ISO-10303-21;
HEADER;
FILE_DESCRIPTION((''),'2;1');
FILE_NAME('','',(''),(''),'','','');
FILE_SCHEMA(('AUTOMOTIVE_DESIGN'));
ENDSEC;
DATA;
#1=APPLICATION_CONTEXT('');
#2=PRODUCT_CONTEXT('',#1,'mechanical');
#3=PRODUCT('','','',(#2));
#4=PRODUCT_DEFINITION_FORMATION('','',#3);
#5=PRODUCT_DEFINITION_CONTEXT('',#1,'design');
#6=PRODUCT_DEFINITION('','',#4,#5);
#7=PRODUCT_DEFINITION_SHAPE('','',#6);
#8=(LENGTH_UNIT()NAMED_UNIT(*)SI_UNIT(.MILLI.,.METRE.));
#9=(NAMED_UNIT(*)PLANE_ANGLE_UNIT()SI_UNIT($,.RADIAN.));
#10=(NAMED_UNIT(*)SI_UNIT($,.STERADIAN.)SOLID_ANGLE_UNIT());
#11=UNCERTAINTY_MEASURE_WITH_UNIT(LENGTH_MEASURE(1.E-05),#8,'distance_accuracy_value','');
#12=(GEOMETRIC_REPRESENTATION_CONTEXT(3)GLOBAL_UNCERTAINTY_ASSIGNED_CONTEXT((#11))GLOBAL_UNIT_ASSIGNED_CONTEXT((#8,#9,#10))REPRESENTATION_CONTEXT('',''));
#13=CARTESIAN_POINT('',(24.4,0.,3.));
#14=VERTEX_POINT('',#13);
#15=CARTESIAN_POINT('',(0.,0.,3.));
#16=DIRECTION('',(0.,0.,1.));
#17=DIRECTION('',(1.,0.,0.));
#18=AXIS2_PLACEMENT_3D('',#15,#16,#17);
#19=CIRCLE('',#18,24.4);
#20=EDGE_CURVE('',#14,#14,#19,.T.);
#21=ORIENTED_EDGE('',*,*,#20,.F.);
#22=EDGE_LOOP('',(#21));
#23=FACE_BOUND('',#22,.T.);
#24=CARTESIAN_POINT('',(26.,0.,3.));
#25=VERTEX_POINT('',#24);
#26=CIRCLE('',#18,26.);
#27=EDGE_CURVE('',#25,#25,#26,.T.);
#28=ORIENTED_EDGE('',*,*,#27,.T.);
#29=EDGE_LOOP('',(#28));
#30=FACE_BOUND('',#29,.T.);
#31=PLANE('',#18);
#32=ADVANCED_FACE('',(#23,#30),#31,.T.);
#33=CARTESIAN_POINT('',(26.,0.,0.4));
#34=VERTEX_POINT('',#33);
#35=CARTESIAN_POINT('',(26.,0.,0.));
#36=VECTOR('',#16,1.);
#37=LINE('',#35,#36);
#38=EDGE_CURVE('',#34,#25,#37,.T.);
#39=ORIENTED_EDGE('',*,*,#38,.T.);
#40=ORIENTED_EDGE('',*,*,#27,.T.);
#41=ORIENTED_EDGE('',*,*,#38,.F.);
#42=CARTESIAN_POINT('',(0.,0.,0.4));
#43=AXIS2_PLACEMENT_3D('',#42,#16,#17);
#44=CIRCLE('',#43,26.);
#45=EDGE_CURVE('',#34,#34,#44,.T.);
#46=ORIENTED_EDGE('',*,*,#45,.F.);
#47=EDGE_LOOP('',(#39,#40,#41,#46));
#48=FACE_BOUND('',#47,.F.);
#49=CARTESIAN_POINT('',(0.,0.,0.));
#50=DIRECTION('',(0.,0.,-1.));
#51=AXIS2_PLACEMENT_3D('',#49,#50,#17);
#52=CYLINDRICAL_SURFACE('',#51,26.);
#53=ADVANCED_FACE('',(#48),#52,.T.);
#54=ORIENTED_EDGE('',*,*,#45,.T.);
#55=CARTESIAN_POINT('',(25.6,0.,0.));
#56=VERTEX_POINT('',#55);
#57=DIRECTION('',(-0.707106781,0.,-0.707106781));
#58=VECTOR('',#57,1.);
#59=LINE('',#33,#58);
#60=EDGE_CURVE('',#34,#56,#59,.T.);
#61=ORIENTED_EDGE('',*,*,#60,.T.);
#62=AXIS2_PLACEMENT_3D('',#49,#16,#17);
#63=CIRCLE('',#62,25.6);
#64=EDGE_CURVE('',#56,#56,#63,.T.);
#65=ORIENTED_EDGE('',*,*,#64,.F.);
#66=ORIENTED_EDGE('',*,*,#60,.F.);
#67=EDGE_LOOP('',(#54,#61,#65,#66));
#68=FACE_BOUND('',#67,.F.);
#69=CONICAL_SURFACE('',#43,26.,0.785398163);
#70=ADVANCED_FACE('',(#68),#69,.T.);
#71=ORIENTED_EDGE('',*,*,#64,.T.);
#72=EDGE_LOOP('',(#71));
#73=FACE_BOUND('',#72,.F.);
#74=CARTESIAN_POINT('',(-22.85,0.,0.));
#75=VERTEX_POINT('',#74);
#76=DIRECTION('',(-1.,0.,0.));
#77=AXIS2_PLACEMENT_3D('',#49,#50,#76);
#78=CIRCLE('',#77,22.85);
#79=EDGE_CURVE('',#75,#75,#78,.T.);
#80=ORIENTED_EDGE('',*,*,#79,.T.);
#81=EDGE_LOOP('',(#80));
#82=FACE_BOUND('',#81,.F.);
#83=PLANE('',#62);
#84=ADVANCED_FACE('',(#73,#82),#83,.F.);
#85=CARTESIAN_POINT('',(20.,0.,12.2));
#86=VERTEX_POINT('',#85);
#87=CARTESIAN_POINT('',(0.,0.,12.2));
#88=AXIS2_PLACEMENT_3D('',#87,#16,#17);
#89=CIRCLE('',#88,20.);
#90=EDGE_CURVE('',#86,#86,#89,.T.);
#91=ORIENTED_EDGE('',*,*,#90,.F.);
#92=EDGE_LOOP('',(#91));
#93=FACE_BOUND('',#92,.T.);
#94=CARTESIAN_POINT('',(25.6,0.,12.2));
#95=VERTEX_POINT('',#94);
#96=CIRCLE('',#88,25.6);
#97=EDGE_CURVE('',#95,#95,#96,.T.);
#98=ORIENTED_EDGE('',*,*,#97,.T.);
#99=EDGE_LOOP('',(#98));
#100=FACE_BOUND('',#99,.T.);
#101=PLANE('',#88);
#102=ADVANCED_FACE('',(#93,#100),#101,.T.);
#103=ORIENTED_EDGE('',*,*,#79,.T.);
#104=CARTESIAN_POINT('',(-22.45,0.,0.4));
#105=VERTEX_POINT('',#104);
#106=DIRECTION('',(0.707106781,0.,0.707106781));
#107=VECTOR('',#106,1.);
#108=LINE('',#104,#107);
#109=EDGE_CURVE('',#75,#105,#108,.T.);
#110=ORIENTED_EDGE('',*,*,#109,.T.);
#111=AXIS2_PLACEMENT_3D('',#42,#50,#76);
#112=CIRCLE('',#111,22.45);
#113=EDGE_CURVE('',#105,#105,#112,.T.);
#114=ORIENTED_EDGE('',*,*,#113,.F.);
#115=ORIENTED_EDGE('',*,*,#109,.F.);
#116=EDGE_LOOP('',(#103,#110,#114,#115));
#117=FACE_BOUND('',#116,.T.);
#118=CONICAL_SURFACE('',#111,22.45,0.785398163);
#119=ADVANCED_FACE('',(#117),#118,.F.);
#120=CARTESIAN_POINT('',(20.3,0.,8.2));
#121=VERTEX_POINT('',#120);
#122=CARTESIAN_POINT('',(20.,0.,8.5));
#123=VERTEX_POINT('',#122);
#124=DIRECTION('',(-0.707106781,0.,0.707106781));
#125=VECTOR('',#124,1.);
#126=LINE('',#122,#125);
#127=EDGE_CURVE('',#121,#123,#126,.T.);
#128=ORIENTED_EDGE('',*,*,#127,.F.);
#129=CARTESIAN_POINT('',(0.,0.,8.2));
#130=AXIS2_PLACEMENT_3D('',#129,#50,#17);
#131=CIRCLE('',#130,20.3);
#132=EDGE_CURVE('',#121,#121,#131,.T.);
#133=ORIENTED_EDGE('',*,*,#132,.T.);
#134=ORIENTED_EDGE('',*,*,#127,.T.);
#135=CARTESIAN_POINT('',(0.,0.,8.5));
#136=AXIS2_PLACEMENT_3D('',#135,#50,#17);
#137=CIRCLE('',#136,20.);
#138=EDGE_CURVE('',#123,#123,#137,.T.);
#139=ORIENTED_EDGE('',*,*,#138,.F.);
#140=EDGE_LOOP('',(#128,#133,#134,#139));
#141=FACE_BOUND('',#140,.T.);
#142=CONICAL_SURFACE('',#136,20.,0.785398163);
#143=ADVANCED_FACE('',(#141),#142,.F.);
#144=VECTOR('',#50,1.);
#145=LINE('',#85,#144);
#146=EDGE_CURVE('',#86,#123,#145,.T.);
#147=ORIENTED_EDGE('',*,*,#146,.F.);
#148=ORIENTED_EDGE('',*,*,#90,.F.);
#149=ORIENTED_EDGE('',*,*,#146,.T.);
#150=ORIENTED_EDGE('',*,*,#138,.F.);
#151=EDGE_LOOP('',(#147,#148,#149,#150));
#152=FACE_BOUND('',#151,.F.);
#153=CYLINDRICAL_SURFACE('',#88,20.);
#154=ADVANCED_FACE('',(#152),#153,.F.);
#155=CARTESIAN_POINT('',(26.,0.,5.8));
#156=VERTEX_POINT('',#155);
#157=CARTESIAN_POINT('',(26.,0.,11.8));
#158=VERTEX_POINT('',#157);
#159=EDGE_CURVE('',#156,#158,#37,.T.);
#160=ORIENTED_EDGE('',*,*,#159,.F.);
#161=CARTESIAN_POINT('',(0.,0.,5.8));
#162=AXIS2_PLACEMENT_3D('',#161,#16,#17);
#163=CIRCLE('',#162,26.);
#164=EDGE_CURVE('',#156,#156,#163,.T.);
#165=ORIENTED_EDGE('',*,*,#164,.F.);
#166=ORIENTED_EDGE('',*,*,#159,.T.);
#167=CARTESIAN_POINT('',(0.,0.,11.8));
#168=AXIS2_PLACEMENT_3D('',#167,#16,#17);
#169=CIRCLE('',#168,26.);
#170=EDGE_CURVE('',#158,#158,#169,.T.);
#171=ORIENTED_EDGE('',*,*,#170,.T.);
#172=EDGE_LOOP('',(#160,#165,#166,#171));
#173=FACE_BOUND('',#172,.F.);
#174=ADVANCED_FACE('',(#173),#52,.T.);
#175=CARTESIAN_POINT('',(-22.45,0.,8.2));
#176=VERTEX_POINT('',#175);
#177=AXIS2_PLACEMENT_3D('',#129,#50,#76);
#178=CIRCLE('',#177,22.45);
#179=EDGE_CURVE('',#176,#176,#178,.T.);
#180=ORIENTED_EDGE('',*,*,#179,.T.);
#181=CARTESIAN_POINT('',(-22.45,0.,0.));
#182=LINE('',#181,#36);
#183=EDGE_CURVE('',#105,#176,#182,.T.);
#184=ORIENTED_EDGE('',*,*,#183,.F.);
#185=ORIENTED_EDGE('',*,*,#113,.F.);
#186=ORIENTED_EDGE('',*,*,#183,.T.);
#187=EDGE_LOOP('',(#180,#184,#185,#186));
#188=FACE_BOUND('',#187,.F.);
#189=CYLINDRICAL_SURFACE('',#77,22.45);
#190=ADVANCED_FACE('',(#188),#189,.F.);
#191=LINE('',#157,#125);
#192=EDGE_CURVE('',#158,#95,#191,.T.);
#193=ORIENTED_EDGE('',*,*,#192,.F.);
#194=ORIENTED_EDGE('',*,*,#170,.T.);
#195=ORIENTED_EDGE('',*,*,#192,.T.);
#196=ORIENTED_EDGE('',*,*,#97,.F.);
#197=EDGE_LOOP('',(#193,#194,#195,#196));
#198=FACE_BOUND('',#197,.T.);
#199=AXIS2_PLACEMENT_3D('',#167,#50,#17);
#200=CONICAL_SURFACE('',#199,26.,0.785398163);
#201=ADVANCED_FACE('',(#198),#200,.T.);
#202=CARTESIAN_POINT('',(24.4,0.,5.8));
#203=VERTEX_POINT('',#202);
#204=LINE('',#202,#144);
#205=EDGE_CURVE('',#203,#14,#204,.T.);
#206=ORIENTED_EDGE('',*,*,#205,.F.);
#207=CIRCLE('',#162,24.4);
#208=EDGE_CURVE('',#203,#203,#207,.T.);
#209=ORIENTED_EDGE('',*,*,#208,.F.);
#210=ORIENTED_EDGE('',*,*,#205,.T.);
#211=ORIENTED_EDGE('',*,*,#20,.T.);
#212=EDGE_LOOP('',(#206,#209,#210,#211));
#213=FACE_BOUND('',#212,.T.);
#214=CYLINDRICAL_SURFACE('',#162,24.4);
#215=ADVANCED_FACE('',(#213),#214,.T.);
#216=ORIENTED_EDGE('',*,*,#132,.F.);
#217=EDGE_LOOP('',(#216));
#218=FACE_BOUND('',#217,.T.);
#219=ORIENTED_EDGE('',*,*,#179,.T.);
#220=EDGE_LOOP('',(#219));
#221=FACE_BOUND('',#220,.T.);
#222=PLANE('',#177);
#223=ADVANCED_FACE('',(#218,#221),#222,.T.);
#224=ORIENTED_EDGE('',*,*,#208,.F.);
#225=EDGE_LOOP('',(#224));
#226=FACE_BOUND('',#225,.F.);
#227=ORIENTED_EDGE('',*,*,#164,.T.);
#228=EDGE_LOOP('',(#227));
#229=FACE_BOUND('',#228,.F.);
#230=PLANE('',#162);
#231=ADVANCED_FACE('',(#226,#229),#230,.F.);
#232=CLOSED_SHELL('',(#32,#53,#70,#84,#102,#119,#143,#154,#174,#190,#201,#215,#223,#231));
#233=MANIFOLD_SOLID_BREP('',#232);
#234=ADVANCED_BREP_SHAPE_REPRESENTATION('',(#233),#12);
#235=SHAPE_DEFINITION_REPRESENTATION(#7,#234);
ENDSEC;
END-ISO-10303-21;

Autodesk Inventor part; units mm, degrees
ref_plane "YZ Plane" through (0, 0, 0) normal (1, 0, 0) x (0, 1, 0)
ref_plane "XZ Plane" through (0, 0, 0) normal (0, 1, 0) x (-1, 0, 0)
sketch "草圖1" plane through (0, 0, 0) normal (0, 0, 1) x (1, 0, 0)
  circle A0 centre (0, 0) radius 26
  dimension "d0" = 52
extrude "擠出1" add sketch "草圖1" along normal blind 12.2
sketch "草圖2" plane through (0, 0, 12.2) normal (0, 0, 1) x (1, 0, 0)
  circle A0 centre (0, 0) radius 26 projected
  circle A1 centre (0, 0) radius 20
  dimension "d3" = 40
extrude "擠出2" cut sketch "草圖2" against normal through all contours A1
sketch "草圖3" plane through (0, 0, 0) normal (0, 0, -1) x (-1, 0, 0)
  circle A0 centre (0, 0) radius 20 projected
  circle A1 centre (0, 0) radius 26 projected
  circle A2 centre (0, 0) radius 22.45
  dimension "d6" = 44.9
extrude "擠出3" cut sketch "草圖3" against normal blind 8.2 contours A2
ref_plane "工作平面1" through (0, 0, 5.8) normal (0, 0, 1) x (1, 0, 0)
sketch "草圖4" plane through (0, 0, 5.8) normal (0, 0, 1) x (1, 0, 0)
  circle A0 centre (0, 0) radius 24.4
  circle A1 centre (0, 0) radius 26 projected
  dimension "d10" = 48.8
extrude "擠出4" cut sketch "草圖4" against normal blind 2.8
chamfer "倒角1" distance 0.4 angle 45 3 edges at (-26, 0, 12.2) (-26, 0, 0) (22.45, 0, 0)
chamfer "倒角2" distance 0.3 angle 45 1 edges at (-20, 0, 8.2)
properties part number "鑄鐵SLEEVE"
